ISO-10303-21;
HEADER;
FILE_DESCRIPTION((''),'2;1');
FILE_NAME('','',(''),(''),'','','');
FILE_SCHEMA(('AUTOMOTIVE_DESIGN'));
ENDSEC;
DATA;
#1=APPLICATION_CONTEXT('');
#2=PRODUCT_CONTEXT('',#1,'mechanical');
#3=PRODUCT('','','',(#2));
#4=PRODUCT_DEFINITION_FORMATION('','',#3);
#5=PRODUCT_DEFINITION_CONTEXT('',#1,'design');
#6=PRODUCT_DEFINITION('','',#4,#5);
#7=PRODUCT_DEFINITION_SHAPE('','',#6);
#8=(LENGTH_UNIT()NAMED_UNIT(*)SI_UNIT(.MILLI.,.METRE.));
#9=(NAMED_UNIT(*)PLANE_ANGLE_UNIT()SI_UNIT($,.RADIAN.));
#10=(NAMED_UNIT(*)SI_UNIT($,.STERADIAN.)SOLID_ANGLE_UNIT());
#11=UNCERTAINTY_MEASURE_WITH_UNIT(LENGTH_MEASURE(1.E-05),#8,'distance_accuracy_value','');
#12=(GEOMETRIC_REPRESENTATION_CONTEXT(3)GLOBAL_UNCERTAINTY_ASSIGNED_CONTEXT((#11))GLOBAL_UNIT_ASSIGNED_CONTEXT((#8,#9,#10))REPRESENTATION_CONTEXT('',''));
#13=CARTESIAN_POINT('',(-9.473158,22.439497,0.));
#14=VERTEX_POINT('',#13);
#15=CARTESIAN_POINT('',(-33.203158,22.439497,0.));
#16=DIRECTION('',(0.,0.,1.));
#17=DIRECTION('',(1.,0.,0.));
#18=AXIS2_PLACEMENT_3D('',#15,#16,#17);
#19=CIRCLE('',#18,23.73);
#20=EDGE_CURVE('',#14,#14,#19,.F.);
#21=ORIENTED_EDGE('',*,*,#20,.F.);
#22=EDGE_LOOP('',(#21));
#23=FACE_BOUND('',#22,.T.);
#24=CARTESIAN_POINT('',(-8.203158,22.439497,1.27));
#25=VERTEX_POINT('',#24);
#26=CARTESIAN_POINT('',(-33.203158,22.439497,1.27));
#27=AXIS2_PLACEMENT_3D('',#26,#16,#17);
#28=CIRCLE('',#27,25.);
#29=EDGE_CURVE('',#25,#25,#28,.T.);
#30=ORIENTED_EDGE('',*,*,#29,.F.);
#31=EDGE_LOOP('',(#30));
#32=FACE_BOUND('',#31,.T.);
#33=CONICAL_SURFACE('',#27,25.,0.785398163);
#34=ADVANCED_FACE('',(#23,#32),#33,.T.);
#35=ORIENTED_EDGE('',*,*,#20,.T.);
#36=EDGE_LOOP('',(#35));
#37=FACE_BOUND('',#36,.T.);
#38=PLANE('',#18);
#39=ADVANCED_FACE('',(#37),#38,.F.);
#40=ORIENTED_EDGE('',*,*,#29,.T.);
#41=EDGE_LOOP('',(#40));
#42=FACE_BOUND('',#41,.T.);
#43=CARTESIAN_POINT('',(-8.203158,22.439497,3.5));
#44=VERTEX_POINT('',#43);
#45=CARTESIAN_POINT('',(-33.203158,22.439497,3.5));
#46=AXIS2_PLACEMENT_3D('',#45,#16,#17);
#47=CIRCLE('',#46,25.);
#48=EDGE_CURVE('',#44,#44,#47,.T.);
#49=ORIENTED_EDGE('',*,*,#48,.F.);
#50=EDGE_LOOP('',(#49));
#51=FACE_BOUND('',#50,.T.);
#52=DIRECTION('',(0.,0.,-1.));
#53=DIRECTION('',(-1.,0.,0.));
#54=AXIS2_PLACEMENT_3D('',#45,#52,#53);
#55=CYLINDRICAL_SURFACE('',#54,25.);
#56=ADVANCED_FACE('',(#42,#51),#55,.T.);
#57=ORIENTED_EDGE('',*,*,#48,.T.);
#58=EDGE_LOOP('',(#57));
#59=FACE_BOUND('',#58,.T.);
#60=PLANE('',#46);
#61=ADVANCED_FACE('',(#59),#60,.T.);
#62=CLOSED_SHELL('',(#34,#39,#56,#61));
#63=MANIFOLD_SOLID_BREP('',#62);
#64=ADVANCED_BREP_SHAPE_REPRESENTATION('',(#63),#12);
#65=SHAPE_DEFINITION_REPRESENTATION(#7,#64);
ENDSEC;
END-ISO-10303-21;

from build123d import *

# Parameters (mm, degrees)
SKETCH1_R           = 25
BOSS_EXTRUDE1_DEPTH = 3.5
CHAMFER1_SIZE       = 1.27


with BuildPart() as part:
    # Sketch1 → Boss-Extrude1 (new body)
    with BuildSketch(Plane.XY):
        with Locations((-33.203157923, 22.439496838)):
            Circle(SKETCH1_R)
    extrude(amount=BOSS_EXTRUDE1_DEPTH)

    # Chamfer1
    chamfer1_edges = [part.edges().sort_by_distance(p)[0] for p in [
        (-58.203157923, 22.439496838, 0),
    ]]
    chamfer(chamfer1_edges, length=CHAMFER1_SIZE)


solid = part.part
